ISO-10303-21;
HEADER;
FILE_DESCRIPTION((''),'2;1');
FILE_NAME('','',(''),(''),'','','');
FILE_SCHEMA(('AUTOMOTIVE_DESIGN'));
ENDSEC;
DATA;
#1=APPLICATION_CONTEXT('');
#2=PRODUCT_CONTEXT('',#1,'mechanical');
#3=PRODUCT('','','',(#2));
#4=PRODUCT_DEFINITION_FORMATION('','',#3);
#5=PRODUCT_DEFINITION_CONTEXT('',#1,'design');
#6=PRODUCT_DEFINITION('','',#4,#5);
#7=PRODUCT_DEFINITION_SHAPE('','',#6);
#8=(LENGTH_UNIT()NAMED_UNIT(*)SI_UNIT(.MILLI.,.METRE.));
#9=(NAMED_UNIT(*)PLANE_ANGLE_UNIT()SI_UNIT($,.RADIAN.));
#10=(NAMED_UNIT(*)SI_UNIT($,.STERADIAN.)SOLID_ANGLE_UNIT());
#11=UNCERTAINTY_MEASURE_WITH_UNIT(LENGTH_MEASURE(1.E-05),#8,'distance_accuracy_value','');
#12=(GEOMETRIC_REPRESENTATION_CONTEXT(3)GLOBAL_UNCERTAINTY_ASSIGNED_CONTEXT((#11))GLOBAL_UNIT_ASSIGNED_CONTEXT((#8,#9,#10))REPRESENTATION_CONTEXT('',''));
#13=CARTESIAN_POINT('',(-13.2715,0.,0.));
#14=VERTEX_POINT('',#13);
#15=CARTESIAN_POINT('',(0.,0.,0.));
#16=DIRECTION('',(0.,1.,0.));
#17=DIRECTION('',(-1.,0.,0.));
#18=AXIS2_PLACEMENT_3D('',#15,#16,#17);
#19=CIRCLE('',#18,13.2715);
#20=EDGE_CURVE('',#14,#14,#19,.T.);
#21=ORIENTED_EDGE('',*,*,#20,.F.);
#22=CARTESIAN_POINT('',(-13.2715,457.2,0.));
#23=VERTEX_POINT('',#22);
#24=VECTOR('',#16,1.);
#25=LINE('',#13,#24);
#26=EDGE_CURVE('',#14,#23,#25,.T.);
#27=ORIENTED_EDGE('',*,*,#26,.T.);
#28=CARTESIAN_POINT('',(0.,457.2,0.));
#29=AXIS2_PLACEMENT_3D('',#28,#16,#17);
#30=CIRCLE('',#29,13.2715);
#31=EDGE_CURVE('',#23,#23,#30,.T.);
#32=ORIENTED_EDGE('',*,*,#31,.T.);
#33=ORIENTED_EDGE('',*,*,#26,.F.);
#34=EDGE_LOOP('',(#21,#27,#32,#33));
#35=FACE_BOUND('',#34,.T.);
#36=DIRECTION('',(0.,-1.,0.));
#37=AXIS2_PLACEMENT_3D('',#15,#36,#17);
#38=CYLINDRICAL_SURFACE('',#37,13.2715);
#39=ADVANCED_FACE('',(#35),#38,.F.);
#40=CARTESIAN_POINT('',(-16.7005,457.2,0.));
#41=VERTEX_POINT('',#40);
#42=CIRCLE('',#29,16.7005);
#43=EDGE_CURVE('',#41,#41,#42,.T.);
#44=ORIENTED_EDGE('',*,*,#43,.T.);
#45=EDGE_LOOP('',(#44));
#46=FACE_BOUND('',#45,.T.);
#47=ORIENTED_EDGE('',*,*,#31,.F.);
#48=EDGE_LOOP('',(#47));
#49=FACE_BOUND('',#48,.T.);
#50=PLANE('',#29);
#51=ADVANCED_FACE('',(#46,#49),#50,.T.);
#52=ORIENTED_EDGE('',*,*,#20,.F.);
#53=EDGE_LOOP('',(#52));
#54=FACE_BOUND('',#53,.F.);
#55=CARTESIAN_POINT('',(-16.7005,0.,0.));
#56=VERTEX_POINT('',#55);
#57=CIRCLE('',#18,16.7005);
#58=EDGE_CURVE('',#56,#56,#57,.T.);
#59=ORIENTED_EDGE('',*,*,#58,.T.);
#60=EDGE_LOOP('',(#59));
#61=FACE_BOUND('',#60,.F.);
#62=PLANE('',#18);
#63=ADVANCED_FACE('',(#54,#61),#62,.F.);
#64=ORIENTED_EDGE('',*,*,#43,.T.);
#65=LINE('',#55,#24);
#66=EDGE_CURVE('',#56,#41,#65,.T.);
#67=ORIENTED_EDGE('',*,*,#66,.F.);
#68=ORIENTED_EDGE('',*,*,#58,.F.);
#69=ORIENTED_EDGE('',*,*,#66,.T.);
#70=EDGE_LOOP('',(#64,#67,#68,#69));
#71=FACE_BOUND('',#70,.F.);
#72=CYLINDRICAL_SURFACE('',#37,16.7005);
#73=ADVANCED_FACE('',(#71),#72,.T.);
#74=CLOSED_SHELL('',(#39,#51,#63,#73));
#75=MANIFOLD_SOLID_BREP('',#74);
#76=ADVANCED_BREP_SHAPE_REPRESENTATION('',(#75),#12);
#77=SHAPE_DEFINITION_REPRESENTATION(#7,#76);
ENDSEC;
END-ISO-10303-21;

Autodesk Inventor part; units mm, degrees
ref_plane "YZ Plane" through (0, 0, 0) normal (1, 0, 0) x (0, 1, 0)
ref_plane "XZ Plane" through (0, 0, 0) normal (0, 1, 0) x (-1, 0, 0)
ref_plane "XY Plane" through (0, 0, 0) normal (0, 0, 1) x (1, 0, 0)
sketch "Sketch1" plane through (0, 0, 0) normal (0, 1, 0) x (-1, 0, 0)
  circle A0 centre (0, 0) radius 13.2715
  circle A1 centre (0, 0) radius 16.7005
  dimension "d0" = 26.543
  dimension "d1" = 33.401
extrude "Extrusion1" add sketch "Sketch1" along normal blind 457.2
sketch "Sketch2" plane through (0, 457.2, 0) normal (0, 1, 0) x (1, 0, 0)
  point P0 (0, 0)
properties part number "pvc pipe 1in 4"
